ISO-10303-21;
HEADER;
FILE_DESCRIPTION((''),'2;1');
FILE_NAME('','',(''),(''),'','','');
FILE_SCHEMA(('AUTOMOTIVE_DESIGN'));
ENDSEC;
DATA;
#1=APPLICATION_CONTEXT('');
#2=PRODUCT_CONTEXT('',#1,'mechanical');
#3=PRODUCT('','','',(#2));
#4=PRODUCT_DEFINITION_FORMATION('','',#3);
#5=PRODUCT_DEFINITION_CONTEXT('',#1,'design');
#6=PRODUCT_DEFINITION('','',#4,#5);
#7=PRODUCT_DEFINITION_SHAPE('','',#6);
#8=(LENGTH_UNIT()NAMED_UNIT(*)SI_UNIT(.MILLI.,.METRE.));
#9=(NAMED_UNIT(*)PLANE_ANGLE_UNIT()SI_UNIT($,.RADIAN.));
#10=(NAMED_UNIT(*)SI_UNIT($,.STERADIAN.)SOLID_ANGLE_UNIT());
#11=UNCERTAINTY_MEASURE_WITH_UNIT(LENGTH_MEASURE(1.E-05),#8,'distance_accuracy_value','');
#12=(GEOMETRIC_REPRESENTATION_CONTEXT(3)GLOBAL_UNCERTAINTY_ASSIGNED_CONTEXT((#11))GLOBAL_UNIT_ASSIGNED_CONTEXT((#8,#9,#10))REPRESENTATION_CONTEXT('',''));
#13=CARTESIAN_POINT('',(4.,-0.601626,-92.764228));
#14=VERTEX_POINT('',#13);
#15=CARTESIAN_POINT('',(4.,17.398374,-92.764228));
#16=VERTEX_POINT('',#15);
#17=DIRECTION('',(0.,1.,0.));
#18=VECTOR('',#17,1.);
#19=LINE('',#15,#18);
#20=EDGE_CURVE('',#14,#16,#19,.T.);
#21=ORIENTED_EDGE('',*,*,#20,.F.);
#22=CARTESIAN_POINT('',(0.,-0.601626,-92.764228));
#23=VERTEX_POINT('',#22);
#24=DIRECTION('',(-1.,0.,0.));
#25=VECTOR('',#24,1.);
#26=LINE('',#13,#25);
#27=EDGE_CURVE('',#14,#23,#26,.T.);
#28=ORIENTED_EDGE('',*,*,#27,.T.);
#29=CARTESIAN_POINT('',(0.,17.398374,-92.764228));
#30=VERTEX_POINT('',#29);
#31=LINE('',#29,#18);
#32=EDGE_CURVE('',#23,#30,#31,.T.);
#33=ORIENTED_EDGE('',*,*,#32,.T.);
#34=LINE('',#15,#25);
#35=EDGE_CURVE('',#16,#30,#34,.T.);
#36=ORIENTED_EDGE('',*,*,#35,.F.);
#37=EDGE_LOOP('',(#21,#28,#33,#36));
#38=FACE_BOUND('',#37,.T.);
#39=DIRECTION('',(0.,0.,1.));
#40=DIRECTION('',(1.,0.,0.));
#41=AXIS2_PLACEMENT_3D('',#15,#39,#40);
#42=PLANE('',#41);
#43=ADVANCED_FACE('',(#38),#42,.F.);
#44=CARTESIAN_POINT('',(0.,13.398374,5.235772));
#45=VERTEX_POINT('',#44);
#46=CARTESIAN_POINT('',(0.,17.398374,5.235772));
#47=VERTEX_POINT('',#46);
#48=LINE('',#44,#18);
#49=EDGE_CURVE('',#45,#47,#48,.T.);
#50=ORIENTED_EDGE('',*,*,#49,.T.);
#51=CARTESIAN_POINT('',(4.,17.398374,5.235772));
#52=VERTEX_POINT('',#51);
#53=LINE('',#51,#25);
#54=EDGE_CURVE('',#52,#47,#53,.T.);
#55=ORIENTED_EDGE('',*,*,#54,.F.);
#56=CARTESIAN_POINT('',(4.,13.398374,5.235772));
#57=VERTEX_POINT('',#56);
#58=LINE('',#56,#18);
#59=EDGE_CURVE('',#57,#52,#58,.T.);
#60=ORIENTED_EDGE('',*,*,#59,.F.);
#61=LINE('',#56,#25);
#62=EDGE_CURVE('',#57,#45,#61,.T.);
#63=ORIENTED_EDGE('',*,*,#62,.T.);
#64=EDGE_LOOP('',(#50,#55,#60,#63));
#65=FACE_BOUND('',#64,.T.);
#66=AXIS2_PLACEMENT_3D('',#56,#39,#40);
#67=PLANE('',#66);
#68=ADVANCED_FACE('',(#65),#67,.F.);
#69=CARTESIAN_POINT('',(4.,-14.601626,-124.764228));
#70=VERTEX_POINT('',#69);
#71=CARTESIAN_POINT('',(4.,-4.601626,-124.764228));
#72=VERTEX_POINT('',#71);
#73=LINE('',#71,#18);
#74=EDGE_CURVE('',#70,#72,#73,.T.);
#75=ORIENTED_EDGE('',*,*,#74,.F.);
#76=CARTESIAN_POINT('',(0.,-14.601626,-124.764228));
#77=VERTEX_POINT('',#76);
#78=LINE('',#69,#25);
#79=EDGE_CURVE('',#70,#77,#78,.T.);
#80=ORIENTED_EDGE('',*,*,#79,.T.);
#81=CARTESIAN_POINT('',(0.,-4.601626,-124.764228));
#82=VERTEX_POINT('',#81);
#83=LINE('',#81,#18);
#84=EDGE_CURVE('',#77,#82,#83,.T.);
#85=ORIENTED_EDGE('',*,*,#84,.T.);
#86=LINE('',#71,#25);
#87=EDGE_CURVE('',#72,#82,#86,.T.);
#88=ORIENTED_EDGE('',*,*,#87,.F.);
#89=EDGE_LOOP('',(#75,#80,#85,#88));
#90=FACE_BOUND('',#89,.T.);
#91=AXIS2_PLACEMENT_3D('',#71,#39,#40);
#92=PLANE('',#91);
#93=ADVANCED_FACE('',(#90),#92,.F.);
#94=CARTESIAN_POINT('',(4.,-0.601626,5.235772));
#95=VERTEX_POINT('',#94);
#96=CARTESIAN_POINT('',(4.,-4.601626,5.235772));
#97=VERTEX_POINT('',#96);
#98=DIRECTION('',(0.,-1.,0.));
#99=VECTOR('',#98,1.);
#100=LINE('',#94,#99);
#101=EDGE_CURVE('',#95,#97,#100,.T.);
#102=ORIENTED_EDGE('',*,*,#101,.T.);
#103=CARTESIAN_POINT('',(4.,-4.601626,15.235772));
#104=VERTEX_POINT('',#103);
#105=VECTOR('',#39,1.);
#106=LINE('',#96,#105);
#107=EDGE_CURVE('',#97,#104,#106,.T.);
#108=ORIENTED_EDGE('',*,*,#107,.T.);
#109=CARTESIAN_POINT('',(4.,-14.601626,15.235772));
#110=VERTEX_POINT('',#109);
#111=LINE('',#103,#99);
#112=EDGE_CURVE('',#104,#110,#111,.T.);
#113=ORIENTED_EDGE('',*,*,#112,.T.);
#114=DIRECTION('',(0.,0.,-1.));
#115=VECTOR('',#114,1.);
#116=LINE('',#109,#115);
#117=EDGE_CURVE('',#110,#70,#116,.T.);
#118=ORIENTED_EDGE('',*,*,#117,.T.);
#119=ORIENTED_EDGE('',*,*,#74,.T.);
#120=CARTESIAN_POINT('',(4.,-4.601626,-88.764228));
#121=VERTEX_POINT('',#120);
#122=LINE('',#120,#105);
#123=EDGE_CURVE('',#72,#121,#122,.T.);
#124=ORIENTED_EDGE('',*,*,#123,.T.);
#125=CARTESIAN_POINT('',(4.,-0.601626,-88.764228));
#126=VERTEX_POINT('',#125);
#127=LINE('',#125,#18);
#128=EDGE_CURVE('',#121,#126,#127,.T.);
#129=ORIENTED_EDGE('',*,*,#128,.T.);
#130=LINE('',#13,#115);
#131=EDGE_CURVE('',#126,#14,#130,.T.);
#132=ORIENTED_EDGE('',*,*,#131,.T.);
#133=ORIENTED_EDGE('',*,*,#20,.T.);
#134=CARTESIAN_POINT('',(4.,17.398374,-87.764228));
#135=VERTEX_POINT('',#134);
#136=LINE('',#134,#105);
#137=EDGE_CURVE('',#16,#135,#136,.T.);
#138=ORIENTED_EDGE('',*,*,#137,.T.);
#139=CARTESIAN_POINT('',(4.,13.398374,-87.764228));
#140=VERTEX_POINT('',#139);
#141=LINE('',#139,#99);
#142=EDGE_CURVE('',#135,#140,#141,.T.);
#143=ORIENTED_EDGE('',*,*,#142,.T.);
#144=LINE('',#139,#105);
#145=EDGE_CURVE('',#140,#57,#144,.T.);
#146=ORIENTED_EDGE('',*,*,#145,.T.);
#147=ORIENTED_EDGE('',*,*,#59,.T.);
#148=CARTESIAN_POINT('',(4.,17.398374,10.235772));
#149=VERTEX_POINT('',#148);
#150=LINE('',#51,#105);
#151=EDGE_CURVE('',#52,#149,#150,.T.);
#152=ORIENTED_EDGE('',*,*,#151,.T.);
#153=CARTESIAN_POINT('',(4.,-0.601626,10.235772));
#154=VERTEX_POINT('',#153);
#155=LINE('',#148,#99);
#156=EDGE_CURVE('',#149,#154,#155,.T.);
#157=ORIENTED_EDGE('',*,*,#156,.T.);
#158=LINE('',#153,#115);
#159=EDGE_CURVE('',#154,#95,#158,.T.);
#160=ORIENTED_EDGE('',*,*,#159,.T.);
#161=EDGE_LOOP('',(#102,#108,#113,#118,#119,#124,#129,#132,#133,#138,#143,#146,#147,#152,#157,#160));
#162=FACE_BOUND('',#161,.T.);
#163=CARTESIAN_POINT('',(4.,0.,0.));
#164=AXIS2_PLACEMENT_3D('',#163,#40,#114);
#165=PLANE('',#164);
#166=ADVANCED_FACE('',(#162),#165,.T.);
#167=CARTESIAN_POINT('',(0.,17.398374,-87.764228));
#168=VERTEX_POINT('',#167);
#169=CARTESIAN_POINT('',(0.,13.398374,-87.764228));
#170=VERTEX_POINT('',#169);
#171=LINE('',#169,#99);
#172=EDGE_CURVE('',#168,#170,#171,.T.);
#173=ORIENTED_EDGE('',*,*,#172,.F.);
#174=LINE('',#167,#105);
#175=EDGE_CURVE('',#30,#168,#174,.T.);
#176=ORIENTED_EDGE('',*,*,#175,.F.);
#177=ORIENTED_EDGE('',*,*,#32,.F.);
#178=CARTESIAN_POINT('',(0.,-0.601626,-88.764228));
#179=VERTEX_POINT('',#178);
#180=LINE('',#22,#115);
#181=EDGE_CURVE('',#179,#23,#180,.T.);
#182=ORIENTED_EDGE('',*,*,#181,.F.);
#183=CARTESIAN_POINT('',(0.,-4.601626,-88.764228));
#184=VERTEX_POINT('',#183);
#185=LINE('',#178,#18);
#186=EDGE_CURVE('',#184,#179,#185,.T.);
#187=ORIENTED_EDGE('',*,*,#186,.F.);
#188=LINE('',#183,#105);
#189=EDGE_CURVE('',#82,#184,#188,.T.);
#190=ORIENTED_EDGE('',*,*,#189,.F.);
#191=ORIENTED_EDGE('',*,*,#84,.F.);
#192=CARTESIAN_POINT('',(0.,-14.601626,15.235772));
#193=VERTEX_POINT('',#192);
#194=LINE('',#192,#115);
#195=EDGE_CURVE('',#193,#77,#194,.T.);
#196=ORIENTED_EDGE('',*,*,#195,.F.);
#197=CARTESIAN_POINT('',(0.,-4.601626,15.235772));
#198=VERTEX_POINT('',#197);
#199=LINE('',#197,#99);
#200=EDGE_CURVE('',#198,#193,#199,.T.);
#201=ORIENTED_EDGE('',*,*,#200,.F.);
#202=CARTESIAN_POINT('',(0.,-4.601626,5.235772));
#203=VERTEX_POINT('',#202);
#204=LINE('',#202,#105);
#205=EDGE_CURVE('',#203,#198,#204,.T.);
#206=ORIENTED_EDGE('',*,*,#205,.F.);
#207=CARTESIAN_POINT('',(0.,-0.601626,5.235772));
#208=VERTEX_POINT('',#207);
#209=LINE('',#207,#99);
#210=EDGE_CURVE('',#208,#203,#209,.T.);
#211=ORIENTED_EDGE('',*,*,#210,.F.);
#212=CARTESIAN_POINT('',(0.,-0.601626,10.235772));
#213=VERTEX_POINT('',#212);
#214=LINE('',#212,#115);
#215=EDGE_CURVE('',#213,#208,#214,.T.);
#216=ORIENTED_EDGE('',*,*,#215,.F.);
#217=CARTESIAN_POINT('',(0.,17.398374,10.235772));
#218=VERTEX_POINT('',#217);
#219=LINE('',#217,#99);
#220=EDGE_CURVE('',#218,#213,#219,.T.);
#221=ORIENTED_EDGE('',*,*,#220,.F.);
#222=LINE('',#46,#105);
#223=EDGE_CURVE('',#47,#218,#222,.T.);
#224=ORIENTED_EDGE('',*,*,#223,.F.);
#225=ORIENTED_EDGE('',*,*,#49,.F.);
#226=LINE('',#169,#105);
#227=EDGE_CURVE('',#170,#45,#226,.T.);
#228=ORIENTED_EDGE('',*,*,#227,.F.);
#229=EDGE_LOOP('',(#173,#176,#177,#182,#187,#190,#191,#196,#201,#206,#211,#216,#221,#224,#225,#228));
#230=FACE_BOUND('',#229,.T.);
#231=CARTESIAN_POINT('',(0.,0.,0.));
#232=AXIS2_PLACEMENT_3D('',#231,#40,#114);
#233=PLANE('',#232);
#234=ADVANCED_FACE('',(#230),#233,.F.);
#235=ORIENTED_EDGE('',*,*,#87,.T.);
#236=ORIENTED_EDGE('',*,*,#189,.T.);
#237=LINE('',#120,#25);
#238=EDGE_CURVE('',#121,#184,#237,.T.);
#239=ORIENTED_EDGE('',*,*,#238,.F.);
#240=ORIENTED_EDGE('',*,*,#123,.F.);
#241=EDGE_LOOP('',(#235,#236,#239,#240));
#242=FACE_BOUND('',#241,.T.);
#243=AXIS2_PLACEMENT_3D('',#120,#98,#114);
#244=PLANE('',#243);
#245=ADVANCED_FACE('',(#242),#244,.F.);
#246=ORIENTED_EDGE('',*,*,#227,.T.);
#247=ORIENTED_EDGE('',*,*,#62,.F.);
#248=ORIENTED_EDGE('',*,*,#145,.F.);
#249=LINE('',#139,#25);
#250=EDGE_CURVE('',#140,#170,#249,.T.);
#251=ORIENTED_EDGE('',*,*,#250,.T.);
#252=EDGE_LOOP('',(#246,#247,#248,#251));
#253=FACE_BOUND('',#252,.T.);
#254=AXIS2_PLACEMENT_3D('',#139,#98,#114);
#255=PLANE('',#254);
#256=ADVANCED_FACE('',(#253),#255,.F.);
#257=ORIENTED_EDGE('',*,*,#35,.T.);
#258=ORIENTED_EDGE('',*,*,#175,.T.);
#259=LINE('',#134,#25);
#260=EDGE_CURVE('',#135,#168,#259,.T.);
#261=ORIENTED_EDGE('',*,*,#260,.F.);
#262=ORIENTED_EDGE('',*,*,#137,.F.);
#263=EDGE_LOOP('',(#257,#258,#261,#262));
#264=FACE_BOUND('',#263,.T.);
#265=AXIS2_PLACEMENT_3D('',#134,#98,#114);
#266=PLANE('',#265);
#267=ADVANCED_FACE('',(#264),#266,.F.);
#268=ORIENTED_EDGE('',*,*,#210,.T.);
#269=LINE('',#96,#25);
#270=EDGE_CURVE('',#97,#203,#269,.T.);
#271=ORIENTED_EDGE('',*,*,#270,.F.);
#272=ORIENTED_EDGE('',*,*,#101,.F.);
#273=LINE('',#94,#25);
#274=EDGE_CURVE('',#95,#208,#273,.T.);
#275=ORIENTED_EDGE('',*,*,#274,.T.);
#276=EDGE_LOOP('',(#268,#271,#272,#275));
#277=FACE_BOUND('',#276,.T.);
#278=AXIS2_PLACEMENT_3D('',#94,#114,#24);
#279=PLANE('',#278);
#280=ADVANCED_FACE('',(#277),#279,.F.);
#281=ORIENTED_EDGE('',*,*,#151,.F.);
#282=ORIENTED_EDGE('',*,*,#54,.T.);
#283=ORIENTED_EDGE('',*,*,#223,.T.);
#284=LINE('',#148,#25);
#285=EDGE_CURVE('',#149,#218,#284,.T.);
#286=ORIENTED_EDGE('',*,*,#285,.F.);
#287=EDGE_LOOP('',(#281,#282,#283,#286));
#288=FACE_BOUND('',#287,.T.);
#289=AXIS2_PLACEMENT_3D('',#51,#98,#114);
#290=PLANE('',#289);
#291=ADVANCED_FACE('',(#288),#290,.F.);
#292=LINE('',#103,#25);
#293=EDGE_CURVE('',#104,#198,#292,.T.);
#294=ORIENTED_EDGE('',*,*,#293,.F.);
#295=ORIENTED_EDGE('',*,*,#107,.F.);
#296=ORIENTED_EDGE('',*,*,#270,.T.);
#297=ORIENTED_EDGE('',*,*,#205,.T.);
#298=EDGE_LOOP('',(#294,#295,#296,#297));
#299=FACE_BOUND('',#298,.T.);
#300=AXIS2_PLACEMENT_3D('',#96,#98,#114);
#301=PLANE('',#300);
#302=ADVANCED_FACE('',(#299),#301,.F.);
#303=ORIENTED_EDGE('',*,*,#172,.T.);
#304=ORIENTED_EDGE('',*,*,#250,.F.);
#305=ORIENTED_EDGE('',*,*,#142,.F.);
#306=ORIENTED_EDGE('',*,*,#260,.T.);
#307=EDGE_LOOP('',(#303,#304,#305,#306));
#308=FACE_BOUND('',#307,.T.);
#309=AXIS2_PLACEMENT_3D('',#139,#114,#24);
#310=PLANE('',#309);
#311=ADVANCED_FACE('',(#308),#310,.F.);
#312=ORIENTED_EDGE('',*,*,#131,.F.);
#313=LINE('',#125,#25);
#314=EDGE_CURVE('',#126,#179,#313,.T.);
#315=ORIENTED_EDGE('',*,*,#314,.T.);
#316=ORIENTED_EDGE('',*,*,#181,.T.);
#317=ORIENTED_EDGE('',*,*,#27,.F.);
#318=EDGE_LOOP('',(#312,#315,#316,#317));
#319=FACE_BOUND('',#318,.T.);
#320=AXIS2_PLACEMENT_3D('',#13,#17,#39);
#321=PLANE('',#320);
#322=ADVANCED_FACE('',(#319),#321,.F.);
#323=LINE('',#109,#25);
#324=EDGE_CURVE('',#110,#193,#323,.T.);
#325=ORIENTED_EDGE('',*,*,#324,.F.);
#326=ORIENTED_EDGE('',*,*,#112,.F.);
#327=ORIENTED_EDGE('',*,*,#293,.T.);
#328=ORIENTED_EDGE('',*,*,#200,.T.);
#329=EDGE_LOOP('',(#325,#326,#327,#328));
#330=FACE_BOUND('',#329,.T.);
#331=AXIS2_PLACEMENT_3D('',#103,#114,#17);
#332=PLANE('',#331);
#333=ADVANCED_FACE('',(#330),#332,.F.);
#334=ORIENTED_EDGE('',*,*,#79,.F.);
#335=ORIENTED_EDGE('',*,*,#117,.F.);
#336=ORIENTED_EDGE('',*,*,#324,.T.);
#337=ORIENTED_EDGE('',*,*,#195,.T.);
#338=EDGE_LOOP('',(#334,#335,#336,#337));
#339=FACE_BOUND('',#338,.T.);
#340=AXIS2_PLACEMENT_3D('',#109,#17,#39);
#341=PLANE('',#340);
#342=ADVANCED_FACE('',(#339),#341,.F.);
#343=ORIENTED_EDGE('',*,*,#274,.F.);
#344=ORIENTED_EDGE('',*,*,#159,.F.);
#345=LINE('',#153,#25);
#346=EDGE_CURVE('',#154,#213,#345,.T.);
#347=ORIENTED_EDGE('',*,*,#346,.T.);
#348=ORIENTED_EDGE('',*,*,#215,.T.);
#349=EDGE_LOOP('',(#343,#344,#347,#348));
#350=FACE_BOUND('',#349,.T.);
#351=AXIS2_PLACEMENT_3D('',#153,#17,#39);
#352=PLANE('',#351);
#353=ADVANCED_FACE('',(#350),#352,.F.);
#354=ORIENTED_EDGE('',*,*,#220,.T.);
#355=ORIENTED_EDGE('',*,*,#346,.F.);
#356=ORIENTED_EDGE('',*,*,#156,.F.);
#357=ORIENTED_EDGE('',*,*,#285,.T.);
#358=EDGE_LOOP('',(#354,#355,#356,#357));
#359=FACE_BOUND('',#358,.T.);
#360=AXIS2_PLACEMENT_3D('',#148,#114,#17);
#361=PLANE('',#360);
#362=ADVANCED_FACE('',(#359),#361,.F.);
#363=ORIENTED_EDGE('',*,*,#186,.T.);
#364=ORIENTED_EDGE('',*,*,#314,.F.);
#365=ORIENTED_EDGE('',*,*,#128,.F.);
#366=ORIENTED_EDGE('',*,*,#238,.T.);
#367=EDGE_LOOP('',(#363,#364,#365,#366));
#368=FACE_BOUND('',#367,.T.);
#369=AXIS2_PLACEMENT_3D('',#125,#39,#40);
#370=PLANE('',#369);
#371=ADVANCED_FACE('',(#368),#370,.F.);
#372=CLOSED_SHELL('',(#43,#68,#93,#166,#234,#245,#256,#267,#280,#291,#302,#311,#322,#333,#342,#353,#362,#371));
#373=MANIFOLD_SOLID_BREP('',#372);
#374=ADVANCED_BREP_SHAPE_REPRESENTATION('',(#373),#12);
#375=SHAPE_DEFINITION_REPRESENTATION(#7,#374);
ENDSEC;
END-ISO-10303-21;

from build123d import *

# Parameters (mm, degrees)
BOSS_EXTRUDE1_DEPTH = 4


with BuildPart() as part:
    # Sketch1 → Boss-Extrude1 (new body)
    with BuildSketch(Plane(origin=(0, 0, 0), x_dir=(0, 0, -1), z_dir=(1, 0, 0))):
        Polygon((-10.235772358, 17.398373984), (-10.235772358, -0.601626016), (-5.235772358, -0.601626016), (-5.235772358, -4.601626016), (-15.235772358, -4.601626016), (-15.235772358, -14.601626016), (124.764227642, -14.601626016), (124.764227642, -4.601626016), (88.764227642, -4.601626016), (88.764227642, -0.601626016), (92.764227642, -0.601626016), (92.764227642, 17.398373984), (87.764227642, 17.398373984), (87.764227642, 13.398373984), (-5.235772358, 13.398373984), (-5.235772358, 17.398373984), align=None)
    extrude(amount=BOSS_EXTRUDE1_DEPTH)


solid = part.part
